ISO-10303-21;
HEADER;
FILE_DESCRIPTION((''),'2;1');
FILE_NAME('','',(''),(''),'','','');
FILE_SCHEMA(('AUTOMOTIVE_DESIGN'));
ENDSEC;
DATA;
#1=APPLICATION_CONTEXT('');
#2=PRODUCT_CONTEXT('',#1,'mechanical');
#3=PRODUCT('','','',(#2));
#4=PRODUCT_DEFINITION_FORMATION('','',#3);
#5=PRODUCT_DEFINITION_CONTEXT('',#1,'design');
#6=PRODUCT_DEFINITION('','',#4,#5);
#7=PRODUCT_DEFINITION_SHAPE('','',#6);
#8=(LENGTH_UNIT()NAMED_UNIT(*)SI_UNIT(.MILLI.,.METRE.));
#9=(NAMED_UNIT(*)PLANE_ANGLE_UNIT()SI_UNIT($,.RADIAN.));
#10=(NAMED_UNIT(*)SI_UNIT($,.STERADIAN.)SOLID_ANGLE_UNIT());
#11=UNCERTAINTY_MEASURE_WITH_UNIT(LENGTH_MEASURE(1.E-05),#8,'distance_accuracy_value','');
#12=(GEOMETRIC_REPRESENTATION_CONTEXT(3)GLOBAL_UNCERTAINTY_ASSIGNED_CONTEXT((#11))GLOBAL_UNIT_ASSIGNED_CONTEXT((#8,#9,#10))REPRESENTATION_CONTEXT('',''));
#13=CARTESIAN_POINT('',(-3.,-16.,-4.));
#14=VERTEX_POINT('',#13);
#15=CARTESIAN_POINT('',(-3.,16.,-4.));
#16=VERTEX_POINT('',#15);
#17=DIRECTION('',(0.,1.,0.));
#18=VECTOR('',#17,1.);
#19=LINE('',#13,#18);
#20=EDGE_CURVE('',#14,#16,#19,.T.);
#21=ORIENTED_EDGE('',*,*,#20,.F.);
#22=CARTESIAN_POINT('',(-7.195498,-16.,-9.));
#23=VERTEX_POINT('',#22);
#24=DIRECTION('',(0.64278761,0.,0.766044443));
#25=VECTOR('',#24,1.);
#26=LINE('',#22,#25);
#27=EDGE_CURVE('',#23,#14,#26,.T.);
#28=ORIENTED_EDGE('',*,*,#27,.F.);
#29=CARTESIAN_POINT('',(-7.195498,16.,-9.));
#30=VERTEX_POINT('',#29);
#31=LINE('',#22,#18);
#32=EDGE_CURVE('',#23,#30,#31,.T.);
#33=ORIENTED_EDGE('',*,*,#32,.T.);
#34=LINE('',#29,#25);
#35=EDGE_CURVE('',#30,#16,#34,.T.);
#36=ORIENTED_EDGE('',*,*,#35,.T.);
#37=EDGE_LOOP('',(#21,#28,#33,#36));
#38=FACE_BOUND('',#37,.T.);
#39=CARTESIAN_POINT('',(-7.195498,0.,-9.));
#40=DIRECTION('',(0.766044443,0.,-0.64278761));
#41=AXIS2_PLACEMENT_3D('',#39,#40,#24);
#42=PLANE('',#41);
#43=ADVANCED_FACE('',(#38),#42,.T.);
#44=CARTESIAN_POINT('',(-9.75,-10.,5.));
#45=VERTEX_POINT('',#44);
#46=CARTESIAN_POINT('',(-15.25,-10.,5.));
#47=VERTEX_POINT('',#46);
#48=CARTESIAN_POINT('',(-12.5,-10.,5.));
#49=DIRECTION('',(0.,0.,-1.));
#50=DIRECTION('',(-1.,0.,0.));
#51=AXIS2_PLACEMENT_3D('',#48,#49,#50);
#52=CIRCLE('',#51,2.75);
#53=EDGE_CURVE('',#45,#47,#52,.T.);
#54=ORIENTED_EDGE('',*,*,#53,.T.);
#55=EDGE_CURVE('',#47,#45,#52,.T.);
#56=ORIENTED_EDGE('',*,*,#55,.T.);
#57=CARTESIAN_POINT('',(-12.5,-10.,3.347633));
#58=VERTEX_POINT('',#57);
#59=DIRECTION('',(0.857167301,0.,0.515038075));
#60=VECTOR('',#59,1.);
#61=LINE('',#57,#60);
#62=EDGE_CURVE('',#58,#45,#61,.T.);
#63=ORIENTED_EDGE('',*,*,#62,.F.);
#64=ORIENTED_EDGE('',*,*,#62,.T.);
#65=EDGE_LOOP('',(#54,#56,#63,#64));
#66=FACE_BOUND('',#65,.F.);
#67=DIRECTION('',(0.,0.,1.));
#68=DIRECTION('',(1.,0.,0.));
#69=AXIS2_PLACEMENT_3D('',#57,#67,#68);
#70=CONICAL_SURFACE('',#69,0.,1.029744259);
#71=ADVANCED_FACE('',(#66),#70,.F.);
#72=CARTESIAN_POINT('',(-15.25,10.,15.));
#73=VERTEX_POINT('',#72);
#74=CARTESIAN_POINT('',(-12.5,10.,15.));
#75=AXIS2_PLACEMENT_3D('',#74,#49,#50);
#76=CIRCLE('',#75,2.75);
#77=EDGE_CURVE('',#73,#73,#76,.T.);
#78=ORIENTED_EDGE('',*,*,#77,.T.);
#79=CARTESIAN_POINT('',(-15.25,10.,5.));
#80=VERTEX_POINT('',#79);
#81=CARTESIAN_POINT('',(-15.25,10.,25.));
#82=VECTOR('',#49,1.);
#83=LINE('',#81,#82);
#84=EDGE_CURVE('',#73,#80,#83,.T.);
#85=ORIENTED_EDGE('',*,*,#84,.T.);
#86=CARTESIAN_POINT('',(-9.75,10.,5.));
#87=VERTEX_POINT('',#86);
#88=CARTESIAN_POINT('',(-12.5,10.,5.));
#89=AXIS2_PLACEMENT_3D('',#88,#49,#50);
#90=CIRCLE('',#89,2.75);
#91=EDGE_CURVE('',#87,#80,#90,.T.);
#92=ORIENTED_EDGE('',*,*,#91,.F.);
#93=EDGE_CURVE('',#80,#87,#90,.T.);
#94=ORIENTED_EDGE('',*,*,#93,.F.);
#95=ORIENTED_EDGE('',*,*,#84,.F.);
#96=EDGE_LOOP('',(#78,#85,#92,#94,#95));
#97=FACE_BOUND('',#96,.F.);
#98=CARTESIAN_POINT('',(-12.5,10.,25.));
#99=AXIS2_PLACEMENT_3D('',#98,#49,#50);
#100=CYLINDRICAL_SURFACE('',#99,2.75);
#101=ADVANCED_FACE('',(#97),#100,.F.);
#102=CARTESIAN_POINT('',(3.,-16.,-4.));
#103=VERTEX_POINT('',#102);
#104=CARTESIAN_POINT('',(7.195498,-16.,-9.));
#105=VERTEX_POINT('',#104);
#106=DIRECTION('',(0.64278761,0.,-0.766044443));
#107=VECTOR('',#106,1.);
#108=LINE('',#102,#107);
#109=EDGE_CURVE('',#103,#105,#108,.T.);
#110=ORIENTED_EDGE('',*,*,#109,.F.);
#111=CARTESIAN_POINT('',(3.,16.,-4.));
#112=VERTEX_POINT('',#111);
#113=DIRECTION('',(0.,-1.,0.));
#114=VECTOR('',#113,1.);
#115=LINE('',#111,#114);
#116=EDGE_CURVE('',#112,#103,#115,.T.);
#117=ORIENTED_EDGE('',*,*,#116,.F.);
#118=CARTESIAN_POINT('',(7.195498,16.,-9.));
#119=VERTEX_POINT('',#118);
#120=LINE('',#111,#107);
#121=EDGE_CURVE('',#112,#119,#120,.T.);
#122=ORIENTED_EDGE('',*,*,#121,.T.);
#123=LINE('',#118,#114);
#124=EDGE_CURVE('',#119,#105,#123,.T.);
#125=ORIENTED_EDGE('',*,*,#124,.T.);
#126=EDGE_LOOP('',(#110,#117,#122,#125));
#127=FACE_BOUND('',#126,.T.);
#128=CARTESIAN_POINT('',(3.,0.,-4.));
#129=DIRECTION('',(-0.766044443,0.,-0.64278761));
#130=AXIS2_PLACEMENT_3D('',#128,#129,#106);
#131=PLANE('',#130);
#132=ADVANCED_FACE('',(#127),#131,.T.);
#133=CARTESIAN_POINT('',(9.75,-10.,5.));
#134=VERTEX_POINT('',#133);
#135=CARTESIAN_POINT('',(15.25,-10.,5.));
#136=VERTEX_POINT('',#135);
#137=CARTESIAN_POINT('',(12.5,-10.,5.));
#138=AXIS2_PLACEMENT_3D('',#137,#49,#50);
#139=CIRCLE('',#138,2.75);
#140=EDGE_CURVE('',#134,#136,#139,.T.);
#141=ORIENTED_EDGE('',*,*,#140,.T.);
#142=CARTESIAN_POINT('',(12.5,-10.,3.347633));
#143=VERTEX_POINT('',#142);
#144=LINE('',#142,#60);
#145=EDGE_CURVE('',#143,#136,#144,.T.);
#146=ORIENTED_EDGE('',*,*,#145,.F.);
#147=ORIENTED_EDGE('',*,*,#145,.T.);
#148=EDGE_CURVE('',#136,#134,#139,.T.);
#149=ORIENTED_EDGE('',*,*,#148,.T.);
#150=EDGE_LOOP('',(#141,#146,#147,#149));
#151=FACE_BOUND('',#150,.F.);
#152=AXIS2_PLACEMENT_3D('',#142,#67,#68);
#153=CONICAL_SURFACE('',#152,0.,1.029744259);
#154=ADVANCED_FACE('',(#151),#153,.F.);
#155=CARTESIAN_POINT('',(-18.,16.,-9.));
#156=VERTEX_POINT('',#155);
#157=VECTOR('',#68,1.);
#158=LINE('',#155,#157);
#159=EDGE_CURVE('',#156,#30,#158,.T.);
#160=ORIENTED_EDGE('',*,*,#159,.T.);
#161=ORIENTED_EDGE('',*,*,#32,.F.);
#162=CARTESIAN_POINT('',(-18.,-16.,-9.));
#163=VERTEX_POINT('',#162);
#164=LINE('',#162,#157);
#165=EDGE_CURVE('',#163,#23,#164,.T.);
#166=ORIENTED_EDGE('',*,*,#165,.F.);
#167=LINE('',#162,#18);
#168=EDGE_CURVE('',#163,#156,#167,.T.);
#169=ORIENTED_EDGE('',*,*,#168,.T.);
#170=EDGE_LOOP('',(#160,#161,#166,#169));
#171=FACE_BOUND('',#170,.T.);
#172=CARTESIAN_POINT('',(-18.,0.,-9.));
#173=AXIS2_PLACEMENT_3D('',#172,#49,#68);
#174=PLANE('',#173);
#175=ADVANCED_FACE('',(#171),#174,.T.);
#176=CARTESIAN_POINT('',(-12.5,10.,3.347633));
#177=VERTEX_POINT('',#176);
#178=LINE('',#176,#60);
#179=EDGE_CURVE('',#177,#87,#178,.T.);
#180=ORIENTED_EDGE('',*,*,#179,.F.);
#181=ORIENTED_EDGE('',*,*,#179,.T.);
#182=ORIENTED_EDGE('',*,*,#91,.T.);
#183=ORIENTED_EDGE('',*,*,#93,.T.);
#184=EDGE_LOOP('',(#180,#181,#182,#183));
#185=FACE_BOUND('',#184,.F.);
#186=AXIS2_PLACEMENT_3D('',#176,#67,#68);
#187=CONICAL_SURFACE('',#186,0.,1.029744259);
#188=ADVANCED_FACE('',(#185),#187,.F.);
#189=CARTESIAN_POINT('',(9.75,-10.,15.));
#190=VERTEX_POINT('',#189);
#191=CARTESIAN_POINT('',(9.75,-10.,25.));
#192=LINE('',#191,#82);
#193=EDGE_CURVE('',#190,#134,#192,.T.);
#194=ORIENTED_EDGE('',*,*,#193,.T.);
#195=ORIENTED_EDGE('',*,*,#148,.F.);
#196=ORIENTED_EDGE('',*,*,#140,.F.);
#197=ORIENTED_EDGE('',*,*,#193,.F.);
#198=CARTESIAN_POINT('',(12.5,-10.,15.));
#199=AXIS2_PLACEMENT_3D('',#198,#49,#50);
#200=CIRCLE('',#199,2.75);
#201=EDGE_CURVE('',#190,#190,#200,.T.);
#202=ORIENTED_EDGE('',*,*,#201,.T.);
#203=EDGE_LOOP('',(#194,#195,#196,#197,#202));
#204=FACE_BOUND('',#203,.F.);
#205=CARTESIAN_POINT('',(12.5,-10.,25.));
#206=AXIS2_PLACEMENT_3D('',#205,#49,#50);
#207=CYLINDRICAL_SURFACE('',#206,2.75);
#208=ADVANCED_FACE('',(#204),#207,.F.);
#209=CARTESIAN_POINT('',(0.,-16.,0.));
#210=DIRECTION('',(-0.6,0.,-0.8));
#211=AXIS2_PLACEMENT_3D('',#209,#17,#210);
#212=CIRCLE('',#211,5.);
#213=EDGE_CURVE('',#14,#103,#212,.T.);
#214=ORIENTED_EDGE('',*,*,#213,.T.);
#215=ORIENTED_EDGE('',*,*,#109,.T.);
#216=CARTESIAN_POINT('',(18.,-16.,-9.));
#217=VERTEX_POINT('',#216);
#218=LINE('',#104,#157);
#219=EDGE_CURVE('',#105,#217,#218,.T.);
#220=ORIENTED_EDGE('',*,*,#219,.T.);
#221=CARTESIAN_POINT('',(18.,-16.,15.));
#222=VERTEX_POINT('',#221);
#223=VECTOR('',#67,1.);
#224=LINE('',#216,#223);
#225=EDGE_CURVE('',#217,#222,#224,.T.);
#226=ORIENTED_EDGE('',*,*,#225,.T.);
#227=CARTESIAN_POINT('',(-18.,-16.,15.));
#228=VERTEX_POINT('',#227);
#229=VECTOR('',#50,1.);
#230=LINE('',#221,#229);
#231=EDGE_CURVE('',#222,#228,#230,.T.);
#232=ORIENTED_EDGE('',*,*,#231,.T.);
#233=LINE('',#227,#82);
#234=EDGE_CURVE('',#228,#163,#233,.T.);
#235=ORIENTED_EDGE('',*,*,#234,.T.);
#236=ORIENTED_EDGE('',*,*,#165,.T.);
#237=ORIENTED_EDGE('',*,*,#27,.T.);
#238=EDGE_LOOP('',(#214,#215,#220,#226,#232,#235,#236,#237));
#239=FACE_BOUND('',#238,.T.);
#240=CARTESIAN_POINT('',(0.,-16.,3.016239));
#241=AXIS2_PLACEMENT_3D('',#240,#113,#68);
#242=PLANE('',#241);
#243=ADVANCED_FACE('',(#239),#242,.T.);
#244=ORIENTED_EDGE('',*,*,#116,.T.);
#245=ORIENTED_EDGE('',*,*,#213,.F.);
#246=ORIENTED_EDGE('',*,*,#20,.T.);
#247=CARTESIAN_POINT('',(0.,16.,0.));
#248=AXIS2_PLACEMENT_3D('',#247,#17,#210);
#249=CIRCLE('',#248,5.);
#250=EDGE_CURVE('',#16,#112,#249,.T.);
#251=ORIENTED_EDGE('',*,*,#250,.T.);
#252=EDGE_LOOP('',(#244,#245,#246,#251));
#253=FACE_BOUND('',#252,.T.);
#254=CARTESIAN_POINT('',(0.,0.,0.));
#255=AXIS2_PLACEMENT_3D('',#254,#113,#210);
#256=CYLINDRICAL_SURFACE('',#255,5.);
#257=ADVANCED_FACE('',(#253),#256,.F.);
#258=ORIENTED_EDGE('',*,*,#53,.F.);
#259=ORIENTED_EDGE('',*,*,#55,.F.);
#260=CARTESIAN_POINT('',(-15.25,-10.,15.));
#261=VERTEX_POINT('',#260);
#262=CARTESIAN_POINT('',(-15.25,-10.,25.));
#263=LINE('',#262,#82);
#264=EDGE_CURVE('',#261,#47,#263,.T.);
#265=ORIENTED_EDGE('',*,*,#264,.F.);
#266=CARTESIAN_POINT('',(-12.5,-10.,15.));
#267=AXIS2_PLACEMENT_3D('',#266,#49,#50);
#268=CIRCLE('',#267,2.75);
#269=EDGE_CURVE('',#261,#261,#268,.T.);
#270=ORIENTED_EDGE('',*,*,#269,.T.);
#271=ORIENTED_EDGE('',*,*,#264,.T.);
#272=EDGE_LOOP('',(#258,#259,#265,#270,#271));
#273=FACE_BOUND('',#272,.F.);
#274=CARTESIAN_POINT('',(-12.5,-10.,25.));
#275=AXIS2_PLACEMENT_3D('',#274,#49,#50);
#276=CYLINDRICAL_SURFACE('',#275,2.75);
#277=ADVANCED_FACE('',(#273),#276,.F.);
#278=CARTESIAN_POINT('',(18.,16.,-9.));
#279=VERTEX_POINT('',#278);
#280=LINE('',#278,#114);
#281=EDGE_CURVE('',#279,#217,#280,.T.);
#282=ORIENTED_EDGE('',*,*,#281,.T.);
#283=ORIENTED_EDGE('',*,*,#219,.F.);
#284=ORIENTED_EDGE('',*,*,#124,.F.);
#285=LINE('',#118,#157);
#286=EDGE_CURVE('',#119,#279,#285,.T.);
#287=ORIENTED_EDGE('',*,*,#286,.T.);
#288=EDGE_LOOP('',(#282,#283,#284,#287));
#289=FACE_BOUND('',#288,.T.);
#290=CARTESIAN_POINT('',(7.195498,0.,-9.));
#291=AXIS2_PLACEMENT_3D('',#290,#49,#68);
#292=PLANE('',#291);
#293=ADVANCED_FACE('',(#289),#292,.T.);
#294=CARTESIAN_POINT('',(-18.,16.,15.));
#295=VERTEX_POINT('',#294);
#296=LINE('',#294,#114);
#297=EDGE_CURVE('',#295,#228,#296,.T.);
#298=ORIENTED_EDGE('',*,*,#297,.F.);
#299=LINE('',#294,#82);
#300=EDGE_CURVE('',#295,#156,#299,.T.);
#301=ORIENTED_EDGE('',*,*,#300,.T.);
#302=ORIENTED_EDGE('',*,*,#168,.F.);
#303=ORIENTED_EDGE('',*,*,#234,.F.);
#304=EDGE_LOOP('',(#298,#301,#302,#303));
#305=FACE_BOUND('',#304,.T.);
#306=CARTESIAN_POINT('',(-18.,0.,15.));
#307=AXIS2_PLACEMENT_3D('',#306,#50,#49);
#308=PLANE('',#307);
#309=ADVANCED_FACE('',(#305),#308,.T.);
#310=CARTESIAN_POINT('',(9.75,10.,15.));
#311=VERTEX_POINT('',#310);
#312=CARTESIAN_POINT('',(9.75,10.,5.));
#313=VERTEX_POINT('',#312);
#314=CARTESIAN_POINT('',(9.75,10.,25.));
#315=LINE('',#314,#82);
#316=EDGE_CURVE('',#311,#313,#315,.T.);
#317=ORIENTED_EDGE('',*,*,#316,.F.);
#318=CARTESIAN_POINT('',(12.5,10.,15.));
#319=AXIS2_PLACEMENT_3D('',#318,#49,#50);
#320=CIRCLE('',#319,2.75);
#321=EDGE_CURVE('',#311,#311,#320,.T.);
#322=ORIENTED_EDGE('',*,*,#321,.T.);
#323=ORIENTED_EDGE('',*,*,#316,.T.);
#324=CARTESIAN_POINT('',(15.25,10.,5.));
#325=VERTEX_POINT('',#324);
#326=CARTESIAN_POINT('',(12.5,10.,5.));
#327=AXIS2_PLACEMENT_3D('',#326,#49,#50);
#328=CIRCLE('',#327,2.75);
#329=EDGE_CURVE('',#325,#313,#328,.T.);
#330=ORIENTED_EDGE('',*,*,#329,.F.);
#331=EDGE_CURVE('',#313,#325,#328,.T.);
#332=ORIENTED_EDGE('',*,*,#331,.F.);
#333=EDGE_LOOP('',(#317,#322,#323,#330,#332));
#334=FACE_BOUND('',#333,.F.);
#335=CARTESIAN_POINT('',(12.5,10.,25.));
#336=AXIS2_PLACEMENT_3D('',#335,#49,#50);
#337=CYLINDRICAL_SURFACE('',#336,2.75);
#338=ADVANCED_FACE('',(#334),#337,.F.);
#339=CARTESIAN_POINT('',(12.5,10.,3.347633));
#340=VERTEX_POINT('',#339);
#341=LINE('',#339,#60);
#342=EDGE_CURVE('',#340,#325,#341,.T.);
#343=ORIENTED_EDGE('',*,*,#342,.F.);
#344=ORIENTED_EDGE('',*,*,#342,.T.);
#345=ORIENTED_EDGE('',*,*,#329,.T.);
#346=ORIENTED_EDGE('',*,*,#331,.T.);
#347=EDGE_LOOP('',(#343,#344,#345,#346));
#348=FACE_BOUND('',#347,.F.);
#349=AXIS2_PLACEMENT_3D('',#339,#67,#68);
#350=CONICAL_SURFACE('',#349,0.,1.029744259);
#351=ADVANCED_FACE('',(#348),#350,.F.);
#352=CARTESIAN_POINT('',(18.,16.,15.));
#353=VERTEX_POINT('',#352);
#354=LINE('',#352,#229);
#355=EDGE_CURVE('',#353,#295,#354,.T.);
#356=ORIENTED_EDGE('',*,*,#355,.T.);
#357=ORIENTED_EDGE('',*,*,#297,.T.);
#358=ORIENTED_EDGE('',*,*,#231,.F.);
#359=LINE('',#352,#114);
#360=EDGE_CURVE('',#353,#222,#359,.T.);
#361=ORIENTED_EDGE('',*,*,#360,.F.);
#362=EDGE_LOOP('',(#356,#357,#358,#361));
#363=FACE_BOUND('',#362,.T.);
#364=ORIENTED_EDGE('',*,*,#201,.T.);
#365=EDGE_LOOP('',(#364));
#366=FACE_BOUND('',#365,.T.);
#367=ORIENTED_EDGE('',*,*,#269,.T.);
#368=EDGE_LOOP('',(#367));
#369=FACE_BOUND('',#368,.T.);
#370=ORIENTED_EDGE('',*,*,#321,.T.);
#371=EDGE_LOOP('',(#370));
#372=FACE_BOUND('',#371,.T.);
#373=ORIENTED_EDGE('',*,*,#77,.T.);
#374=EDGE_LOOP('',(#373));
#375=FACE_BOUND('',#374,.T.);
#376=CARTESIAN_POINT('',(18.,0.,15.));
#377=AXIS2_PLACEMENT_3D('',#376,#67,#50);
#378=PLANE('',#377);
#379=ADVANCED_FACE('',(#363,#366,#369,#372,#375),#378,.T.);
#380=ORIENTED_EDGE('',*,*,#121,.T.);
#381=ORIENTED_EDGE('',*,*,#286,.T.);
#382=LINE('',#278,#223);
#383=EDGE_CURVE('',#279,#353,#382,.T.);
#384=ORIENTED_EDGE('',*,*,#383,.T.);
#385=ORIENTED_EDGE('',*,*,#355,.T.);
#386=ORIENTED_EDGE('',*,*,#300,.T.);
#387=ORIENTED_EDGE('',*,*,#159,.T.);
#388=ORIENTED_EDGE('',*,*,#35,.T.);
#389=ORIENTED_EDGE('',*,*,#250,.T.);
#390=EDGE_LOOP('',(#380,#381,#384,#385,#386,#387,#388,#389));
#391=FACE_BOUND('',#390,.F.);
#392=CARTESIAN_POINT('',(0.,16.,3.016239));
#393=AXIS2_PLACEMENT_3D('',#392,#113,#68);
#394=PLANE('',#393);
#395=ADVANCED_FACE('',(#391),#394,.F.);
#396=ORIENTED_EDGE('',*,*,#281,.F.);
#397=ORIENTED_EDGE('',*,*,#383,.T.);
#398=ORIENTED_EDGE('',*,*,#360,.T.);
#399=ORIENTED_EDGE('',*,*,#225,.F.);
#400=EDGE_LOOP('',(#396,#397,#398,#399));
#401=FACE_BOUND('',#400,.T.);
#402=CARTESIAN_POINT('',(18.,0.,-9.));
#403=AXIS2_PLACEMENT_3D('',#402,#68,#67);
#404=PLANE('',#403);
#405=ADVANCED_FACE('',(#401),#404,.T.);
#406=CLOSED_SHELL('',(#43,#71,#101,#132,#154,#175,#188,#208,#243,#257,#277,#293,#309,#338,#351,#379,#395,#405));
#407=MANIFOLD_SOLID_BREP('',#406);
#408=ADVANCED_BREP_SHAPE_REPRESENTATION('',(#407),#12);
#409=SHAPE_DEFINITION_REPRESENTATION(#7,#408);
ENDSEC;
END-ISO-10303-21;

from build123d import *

# Parameters (mm, degrees)
F1_DEPTH = 16
F3_D     = 5.5
F3_DEPTH = 10
F3_TIP   = 1.6523667023


with BuildPart() as f1:
    # F0 (on Front) → F1 (new body, symmetric)
    with BuildSketch(Plane.XZ):
        with BuildLine():
            ThreePointArc((-3, -4), (0, 5), (3, -4))
            Line((3, -4), (7.1954981559, -9))
            Line((7.1954981559, -9), (18, -9))
            Line((18, -9), (18, 15))
            Line((18, 15), (-18, 15))
            Line((-18, 15), (-18, -9))
            Line((-18, -9), (-7.1954981559, -9))
            Line((-7.1954981559, -9), (-3, -4))
        make_face()
    extrude(amount=F1_DEPTH, both=True)

    # F3
    with Locations(Plane.XY.offset(15)):
        with Locations((-12.5, 10), (-12.5, -10), (12.5, -10), (12.5, 10)):
            Hole(F3_D / 2, depth=F3_DEPTH)
            with Locations((0, 0, -(F3_DEPTH + F3_TIP / 2))):  # 118° drill point
                Cone(0, F3_D / 2, F3_TIP, mode=Mode.SUBTRACT)


solid = f1.part
